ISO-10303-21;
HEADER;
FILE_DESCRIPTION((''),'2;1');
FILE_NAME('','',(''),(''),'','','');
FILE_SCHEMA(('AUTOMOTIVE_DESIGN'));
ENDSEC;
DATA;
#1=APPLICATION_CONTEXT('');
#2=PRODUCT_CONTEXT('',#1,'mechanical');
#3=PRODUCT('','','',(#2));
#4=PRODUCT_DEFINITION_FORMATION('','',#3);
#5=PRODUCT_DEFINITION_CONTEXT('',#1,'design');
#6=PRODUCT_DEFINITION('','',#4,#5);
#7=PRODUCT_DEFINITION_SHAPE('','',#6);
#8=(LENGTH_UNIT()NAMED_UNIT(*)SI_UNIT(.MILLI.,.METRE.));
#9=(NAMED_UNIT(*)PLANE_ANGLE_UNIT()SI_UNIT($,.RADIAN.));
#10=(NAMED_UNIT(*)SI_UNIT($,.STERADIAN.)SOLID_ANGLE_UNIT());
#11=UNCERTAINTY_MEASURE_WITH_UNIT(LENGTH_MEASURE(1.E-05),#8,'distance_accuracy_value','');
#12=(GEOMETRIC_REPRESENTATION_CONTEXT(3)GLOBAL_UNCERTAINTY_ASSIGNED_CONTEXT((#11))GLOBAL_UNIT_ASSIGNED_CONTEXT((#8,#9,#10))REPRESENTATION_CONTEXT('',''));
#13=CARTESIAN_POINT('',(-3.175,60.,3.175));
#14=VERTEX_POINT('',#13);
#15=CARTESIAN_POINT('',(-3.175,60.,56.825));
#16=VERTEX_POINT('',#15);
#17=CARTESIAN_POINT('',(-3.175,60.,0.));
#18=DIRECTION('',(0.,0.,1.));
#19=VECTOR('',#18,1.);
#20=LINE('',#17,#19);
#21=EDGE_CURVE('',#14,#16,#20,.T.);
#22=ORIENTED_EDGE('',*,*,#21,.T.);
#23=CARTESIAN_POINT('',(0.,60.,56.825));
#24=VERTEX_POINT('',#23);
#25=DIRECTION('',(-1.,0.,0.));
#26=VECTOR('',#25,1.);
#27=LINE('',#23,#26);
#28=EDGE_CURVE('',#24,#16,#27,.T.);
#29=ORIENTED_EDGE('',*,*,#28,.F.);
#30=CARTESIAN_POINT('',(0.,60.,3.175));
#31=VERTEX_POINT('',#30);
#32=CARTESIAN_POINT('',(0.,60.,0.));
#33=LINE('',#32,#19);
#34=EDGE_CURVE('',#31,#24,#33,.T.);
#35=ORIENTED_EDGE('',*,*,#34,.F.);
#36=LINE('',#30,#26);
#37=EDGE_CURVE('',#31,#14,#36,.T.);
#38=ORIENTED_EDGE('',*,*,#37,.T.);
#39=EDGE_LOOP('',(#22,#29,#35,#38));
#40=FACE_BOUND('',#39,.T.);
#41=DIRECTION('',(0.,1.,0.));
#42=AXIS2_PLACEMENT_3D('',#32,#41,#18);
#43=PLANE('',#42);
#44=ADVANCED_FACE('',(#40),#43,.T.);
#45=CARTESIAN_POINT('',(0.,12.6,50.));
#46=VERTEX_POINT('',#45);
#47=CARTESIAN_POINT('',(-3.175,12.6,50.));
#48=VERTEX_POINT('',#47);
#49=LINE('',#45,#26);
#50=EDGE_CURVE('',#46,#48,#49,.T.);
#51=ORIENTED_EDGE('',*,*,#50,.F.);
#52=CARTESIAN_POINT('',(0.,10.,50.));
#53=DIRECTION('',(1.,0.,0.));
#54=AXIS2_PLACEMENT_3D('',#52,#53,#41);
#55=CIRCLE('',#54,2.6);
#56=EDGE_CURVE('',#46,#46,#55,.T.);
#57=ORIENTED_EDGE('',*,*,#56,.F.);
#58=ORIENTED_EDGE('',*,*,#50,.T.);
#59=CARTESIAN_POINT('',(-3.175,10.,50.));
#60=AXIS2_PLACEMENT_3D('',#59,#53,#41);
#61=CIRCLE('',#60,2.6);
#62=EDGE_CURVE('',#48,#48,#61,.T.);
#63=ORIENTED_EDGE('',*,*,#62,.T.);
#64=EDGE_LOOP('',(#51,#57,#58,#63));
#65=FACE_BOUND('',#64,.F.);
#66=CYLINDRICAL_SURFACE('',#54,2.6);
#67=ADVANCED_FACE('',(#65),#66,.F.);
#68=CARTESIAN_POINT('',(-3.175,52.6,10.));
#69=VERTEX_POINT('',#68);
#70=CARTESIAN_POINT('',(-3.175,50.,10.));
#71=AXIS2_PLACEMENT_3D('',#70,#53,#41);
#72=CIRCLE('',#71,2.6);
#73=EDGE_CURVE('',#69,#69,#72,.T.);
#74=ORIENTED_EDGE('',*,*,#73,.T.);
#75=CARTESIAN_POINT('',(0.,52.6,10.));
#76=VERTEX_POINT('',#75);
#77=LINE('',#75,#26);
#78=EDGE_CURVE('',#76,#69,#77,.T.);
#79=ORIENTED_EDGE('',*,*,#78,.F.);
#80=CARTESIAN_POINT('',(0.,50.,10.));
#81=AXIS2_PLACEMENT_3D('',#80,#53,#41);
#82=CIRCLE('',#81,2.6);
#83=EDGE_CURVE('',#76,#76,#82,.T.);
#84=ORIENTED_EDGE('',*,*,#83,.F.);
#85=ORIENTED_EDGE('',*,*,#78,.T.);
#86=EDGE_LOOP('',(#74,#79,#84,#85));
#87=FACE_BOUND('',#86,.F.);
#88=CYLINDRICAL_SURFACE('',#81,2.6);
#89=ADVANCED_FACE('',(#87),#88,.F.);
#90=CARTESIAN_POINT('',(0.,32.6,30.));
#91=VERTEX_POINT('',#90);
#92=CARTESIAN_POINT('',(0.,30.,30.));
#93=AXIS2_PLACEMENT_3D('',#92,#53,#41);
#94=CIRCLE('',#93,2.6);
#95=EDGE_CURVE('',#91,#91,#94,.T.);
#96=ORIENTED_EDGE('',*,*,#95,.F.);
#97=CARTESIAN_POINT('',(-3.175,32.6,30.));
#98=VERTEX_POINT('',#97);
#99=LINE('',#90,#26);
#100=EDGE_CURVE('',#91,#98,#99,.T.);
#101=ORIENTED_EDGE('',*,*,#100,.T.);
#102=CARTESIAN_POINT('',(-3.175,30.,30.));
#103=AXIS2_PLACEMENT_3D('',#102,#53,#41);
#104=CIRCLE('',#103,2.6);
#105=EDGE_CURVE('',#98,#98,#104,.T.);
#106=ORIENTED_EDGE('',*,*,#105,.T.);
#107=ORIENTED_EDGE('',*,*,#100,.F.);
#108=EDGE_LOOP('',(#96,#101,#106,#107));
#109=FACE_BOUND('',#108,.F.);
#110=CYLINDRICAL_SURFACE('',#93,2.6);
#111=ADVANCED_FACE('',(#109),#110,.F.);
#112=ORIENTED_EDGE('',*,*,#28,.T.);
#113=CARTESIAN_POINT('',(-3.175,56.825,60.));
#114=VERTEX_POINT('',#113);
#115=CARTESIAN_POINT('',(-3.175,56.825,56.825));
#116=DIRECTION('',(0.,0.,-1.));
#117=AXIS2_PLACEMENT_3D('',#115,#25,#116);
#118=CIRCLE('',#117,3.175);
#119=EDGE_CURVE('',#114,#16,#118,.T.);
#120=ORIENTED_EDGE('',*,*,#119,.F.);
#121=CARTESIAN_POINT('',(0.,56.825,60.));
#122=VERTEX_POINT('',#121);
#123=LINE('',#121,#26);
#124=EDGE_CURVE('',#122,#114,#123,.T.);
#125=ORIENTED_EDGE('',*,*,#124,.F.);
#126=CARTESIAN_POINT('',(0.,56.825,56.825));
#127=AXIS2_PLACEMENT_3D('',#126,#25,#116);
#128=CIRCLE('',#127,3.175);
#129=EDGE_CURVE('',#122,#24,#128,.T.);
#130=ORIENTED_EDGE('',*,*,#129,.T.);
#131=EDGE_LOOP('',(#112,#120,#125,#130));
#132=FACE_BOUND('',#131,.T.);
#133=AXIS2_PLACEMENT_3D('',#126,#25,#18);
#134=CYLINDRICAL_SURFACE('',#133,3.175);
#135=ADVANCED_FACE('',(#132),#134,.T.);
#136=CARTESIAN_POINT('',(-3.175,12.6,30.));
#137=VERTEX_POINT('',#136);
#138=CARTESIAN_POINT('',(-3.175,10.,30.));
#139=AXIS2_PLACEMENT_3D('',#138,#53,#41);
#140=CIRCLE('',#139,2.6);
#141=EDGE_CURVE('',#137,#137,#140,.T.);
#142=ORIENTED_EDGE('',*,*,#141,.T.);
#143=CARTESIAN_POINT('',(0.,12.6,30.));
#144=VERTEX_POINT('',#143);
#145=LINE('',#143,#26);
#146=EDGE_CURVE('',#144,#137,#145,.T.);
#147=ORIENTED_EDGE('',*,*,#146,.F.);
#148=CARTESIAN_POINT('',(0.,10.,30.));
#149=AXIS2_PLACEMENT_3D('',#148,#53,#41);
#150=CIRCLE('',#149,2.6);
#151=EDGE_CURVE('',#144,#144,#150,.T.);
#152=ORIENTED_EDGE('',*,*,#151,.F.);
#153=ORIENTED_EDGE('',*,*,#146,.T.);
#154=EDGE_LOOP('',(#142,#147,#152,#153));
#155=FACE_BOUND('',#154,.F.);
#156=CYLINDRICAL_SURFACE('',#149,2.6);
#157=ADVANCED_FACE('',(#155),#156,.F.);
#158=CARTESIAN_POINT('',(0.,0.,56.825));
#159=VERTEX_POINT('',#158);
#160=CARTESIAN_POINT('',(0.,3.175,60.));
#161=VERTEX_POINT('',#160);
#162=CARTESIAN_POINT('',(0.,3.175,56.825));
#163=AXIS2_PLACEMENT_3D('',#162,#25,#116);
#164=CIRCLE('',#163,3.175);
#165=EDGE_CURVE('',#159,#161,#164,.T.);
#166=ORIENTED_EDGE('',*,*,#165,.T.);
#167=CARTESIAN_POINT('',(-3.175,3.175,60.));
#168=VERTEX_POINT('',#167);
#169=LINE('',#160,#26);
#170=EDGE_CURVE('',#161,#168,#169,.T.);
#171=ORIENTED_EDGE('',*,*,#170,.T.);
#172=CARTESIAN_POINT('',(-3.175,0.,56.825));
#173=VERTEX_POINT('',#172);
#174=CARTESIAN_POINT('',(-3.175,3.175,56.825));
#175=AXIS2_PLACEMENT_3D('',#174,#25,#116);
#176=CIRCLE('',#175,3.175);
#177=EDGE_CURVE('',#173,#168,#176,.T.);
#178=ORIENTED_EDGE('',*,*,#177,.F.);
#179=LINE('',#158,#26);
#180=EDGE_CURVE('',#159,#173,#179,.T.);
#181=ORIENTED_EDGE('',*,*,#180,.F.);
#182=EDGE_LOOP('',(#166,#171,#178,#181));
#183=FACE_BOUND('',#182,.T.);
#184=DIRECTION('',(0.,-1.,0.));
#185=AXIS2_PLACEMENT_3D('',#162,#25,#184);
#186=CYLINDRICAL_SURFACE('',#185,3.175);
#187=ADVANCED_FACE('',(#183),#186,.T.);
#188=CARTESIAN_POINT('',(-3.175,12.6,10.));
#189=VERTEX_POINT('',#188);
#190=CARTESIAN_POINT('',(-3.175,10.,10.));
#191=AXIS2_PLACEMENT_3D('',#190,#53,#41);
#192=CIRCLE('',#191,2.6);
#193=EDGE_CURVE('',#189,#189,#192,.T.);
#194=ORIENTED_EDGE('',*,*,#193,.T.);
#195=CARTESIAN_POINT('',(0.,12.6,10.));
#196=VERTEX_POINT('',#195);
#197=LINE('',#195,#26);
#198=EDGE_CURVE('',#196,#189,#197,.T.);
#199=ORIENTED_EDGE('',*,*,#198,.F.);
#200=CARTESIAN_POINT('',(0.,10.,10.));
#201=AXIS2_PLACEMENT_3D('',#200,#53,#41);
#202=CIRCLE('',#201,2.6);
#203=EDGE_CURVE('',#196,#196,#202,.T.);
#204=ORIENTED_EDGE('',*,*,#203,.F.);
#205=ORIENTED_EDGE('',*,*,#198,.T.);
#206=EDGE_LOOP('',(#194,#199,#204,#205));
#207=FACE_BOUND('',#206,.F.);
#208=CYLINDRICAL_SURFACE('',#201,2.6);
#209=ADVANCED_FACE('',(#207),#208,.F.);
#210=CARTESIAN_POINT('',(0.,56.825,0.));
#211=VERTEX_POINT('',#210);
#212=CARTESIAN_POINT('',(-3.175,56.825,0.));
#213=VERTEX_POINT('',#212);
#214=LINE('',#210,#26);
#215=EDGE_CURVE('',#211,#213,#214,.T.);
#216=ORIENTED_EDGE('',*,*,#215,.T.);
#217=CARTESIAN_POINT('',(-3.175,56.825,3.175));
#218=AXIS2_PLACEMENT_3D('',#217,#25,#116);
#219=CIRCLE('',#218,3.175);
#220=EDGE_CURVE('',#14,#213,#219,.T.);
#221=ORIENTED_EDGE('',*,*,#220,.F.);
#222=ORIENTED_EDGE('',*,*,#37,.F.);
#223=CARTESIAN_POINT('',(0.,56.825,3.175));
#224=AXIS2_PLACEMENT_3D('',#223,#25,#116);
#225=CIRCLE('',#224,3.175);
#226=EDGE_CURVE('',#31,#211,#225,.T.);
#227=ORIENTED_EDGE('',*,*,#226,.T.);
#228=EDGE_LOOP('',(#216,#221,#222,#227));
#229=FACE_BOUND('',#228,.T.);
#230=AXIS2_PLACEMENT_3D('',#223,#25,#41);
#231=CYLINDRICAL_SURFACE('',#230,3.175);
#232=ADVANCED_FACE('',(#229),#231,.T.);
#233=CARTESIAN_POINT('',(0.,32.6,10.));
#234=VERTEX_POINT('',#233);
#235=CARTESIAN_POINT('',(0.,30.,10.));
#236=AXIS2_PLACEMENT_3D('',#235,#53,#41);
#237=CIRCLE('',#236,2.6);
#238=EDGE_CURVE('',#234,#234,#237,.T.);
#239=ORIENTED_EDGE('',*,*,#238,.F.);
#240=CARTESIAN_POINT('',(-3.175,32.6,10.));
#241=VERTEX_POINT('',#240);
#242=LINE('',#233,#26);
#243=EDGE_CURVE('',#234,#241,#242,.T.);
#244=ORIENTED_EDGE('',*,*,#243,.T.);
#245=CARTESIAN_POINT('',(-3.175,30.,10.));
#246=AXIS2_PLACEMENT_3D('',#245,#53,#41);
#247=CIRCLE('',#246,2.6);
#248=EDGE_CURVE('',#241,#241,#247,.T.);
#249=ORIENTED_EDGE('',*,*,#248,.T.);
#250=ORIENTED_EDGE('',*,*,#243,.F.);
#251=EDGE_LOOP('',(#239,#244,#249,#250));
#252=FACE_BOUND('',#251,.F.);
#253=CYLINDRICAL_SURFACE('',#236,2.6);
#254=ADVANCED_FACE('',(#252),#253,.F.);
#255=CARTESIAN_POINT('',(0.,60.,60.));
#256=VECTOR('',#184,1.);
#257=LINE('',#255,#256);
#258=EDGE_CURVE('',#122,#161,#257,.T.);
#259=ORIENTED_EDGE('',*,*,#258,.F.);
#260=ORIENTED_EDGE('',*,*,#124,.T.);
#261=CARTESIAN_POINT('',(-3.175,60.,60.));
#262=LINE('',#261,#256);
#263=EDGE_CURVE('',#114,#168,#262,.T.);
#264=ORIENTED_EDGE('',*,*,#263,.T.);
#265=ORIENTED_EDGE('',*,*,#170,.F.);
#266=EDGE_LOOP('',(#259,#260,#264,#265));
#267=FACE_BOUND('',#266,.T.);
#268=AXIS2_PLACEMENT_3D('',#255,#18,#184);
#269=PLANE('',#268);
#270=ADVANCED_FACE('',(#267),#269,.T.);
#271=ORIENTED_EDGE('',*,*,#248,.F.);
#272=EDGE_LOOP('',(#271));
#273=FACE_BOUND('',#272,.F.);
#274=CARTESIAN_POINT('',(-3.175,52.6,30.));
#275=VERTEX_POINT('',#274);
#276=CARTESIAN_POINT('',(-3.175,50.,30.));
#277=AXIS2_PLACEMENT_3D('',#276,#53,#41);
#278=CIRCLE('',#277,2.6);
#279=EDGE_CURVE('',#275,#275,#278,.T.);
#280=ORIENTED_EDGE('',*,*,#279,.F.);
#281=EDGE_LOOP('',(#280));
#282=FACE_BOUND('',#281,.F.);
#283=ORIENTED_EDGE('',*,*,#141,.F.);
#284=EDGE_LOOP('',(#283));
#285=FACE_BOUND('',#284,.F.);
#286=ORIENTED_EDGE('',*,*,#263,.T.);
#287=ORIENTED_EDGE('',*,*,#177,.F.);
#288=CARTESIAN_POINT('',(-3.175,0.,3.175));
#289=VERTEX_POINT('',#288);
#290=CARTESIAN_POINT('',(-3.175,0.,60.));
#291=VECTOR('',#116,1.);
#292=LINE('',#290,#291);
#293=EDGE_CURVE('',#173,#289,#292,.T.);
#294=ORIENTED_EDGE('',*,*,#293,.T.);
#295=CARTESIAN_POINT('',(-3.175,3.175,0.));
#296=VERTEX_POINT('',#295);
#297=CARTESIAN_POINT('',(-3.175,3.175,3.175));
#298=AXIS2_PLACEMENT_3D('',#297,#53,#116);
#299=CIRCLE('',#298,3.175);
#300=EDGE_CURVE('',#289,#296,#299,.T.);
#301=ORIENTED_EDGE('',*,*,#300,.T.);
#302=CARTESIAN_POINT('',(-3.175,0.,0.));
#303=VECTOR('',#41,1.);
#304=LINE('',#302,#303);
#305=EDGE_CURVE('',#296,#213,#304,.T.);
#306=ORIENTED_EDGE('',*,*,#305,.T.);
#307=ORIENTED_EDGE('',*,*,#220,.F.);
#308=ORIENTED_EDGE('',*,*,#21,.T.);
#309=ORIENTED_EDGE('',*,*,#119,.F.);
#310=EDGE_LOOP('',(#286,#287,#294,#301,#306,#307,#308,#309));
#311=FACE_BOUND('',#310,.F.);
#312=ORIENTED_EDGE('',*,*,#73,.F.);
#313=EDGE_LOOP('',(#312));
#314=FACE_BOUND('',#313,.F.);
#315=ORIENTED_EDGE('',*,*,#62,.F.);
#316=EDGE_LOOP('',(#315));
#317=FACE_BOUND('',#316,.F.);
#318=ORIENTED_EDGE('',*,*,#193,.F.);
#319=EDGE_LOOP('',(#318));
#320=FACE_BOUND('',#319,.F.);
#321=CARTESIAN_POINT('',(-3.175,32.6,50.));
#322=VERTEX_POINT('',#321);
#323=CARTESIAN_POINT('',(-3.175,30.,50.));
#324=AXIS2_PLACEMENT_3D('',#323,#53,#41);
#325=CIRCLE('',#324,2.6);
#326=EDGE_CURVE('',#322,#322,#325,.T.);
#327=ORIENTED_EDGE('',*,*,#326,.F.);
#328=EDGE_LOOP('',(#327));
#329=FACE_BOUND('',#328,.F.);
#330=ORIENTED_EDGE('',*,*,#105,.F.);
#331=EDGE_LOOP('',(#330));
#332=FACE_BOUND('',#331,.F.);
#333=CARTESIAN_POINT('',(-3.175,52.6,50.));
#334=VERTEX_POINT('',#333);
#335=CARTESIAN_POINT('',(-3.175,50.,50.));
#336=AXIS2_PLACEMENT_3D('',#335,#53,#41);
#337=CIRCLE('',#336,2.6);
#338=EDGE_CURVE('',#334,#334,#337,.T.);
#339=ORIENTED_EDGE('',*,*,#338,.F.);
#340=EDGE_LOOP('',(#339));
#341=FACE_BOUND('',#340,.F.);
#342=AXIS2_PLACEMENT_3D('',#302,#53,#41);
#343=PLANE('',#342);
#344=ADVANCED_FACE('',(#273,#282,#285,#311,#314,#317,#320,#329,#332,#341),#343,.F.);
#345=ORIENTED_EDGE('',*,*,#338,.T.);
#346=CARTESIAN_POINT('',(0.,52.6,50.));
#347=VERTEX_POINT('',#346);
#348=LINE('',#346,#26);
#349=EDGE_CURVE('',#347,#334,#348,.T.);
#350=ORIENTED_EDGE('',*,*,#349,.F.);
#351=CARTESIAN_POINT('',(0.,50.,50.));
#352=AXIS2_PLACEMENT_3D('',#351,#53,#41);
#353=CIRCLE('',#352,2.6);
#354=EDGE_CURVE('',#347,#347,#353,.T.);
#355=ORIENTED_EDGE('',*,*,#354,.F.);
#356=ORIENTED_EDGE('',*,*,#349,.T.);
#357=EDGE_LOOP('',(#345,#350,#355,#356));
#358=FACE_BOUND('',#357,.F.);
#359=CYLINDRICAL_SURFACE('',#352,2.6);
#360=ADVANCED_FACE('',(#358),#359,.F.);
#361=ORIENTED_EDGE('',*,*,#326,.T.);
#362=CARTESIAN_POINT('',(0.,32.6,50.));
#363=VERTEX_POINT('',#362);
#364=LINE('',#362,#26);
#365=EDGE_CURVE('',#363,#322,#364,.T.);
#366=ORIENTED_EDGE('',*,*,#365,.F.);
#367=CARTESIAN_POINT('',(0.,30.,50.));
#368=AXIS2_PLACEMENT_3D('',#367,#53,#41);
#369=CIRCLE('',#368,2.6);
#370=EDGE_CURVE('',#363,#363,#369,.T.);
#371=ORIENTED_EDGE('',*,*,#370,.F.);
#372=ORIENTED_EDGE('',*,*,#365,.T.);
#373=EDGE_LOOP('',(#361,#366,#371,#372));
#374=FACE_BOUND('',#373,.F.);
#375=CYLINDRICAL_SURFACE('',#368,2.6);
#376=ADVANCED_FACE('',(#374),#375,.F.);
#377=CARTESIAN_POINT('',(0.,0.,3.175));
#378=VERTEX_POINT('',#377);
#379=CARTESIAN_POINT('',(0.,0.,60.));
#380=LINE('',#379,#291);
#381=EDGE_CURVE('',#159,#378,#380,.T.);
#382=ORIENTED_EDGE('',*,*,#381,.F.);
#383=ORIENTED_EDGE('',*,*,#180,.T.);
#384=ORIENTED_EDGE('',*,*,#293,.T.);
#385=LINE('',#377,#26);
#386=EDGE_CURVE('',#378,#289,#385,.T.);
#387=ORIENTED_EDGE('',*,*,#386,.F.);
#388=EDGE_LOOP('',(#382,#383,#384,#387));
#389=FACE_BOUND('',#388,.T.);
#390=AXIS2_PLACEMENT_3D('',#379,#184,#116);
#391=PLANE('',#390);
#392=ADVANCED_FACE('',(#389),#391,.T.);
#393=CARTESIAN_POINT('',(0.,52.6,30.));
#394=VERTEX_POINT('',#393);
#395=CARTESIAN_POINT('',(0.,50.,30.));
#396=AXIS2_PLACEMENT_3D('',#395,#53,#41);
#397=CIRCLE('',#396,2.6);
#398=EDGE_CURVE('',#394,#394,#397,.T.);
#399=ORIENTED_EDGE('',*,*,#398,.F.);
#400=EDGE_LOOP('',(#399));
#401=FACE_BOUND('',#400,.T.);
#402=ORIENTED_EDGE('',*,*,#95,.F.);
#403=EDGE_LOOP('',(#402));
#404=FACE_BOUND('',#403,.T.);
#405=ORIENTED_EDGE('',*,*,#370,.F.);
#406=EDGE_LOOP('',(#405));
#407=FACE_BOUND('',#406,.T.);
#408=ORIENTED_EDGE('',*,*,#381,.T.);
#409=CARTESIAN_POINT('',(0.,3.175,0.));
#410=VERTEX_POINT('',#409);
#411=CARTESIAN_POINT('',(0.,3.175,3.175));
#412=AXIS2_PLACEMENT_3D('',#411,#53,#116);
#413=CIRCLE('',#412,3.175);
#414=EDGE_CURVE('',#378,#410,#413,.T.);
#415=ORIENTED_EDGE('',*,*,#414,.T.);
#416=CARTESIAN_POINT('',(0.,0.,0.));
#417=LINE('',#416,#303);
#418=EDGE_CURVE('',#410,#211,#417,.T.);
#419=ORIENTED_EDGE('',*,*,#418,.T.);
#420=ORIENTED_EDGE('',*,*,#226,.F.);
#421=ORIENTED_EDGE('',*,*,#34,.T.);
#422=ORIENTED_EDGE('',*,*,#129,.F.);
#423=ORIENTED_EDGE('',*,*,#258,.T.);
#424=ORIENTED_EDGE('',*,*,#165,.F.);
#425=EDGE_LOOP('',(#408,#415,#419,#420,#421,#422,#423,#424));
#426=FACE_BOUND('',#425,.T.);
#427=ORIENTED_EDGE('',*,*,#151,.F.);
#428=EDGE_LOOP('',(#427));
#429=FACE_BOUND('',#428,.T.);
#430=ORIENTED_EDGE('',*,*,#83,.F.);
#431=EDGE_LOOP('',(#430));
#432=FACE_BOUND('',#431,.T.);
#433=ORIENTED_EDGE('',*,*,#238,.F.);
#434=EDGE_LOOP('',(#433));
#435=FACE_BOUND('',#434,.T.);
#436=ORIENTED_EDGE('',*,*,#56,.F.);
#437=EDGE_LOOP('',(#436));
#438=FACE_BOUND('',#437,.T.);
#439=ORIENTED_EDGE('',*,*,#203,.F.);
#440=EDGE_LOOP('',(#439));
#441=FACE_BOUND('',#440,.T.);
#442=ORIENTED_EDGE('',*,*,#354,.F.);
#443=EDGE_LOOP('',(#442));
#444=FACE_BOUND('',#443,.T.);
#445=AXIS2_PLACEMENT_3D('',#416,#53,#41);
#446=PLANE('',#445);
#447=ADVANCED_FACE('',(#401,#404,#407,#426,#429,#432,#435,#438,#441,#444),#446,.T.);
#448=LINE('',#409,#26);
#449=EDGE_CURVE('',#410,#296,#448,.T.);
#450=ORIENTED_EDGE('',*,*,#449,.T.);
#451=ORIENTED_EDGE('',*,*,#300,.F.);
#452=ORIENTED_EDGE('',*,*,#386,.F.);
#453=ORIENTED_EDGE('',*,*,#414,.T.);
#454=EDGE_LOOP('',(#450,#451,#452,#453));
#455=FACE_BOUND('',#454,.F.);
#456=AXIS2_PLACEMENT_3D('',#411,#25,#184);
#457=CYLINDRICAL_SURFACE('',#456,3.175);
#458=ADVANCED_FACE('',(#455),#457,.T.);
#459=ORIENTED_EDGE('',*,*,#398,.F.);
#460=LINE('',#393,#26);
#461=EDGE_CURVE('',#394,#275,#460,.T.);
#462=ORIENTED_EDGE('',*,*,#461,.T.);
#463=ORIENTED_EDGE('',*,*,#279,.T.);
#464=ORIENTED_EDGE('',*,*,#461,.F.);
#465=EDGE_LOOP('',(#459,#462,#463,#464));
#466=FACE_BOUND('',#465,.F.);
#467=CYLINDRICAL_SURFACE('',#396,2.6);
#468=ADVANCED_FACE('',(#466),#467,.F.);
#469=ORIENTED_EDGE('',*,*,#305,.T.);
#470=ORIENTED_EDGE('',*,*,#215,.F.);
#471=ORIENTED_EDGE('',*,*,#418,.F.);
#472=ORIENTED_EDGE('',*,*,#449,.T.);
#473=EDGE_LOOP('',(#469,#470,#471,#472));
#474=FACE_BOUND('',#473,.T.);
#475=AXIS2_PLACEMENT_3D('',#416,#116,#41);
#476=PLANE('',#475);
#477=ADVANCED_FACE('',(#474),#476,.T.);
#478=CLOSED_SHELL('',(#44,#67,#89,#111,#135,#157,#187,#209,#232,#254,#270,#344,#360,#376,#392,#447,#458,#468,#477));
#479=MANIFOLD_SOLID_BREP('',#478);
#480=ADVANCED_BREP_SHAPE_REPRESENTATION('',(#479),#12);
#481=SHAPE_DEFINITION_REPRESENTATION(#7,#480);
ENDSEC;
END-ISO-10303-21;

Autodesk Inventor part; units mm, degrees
ref_plane "YZ Plane" through (0, 0, 0) normal (1, 0, 0) x (0, 1, 0)
ref_plane "XZ Plane" through (0, 0, 0) normal (0, 1, 0) x (-1, 0, 0)
ref_plane "XY Plane" through (0, 0, 0) normal (0, 0, 1) x (1, 0, 0)
sketch "Sketch1" plane through (0, 0, 0) normal (1, 0, 0) x (0, 1, 0)
  line L0 (0, 0) -> (60, 0)
  line L1 (60, 0) -> (60, 60)
  line L2 (60, 60) -> (0, 60)
  line L3 (0, 60) -> (0, 0)
  line L4 (60, 60) -> (40, 60) construction
  line L5 (40, 60) -> (40, 40) construction
  line L6 (40, 40) -> (60, 40) construction
  line L7 (60, 40) -> (60, 60) construction
  line L8 (40, 40) -> (60, 40) construction
  line L9 (60, 40) -> (60, 20) construction
  line L10 (60, 20) -> (40, 20) construction
  line L11 (40, 20) -> (40, 40) construction
  line L12 (40, 20) -> (60, 20) construction
  line L13 (60, 20) -> (60, 0) construction
  line L14 (60, 0) -> (40, 0) construction
  line L15 (40, 0) -> (40, 20) construction
  line L16 (40, 20) -> (20, 20) construction
  line L17 (20, 20) -> (20, 0) construction
  line L18 (20, 0) -> (40, 0) construction
  line L19 (40, 0) -> (40, 20) construction
  line L20 (20, 20) -> (40, 20) construction
  line L21 (40, 20) -> (40, 40) construction
  line L22 (40, 40) -> (20, 40) construction
  line L23 (20, 40) -> (20, 20) construction
  line L24 (40, 40) -> (20, 40) construction
  line L25 (20, 40) -> (20, 60) construction
  line L26 (20, 60) -> (40, 60) construction
  line L27 (40, 60) -> (40, 40) construction
  line L28 (20, 60) -> (0, 60) construction
  line L29 (0, 60) -> (0, 40) construction
  line L30 (0, 40) -> (20, 40) construction
  line L31 (20, 40) -> (20, 60) construction
  line L32 (0, 40) -> (20, 40) construction
  line L33 (20, 40) -> (20, 20) construction
  line L34 (20, 20) -> (0, 20) construction
  line L35 (0, 20) -> (0, 40) construction
  line L36 (20, 20) -> (0, 20) construction
  line L37 (0, 20) -> (0, 0) construction
  line L38 (0, 0) -> (20, 0) construction
  line L39 (20, 0) -> (20, 20) construction
  line L40 (60, 10) -> (0, 10) construction
  line L41 (60, 30) -> (0, 30) construction
  line L42 (60, 50) -> (0, 50) construction
  line L43 (50, 60) -> (50, 0) construction
  line L44 (30, 60) -> (30, 0) construction
  line L45 (10, 60) -> (10, 0) construction
  circle A0 centre (50, 50) radius 2.6
  circle A1 centre (50, 30) radius 2.6
  circle A2 centre (50, 10) radius 2.6
  circle A3 centre (30, 10) radius 2.6
  circle A4 centre (30, 30) radius 2.6
  circle A5 centre (30, 50) radius 2.6
  circle A6 centre (10, 50) radius 2.6
  circle A7 centre (10, 30) radius 2.6
  circle A8 centre (10, 10) radius 2.6
  dimension "d0" = 60
  dimension "d1" = 60
  dimension "d2" = 20
  dimension "d3" = 20
  dimension "d4" = 20
  dimension "d5" = 20
  dimension "d6" = 20
  dimension "d7" = 20
  dimension "d8" = 20
  dimension "d9" = 20
  dimension "d10" = 5.2
  dimension "d11" = 5.2
  dimension "d12" = 5.2
  dimension "d13" = 5.2
  dimension "d14" = 5.2
  dimension "d15" = 5.2
  dimension "d16" = 5.2
  dimension "d17" = 5.2
  dimension "d18" = 5.2
extrude "Extrusion1" add sketch "Sketch1" against normal blind 3.175
fillet "Fillet1" radius 3.175 4 edges at (-1.5875, 60, 60) (-1.5875, 0, 60) (-1.5875, 0, 0) (-1.5875, 60, 0)
equation "\"d11\" = d10"
equation "\"d12\" = d10"
equation "\"d13\" = d10"
equation "\"d14\" = d10"
equation "\"d15\" = d10"
equation "\"d16\" = d10"
equation "\"d17\" = d10"
equation "\"d18\" = d10"
properties part number "Generic 3x3 Corner Connecting Gusset"
